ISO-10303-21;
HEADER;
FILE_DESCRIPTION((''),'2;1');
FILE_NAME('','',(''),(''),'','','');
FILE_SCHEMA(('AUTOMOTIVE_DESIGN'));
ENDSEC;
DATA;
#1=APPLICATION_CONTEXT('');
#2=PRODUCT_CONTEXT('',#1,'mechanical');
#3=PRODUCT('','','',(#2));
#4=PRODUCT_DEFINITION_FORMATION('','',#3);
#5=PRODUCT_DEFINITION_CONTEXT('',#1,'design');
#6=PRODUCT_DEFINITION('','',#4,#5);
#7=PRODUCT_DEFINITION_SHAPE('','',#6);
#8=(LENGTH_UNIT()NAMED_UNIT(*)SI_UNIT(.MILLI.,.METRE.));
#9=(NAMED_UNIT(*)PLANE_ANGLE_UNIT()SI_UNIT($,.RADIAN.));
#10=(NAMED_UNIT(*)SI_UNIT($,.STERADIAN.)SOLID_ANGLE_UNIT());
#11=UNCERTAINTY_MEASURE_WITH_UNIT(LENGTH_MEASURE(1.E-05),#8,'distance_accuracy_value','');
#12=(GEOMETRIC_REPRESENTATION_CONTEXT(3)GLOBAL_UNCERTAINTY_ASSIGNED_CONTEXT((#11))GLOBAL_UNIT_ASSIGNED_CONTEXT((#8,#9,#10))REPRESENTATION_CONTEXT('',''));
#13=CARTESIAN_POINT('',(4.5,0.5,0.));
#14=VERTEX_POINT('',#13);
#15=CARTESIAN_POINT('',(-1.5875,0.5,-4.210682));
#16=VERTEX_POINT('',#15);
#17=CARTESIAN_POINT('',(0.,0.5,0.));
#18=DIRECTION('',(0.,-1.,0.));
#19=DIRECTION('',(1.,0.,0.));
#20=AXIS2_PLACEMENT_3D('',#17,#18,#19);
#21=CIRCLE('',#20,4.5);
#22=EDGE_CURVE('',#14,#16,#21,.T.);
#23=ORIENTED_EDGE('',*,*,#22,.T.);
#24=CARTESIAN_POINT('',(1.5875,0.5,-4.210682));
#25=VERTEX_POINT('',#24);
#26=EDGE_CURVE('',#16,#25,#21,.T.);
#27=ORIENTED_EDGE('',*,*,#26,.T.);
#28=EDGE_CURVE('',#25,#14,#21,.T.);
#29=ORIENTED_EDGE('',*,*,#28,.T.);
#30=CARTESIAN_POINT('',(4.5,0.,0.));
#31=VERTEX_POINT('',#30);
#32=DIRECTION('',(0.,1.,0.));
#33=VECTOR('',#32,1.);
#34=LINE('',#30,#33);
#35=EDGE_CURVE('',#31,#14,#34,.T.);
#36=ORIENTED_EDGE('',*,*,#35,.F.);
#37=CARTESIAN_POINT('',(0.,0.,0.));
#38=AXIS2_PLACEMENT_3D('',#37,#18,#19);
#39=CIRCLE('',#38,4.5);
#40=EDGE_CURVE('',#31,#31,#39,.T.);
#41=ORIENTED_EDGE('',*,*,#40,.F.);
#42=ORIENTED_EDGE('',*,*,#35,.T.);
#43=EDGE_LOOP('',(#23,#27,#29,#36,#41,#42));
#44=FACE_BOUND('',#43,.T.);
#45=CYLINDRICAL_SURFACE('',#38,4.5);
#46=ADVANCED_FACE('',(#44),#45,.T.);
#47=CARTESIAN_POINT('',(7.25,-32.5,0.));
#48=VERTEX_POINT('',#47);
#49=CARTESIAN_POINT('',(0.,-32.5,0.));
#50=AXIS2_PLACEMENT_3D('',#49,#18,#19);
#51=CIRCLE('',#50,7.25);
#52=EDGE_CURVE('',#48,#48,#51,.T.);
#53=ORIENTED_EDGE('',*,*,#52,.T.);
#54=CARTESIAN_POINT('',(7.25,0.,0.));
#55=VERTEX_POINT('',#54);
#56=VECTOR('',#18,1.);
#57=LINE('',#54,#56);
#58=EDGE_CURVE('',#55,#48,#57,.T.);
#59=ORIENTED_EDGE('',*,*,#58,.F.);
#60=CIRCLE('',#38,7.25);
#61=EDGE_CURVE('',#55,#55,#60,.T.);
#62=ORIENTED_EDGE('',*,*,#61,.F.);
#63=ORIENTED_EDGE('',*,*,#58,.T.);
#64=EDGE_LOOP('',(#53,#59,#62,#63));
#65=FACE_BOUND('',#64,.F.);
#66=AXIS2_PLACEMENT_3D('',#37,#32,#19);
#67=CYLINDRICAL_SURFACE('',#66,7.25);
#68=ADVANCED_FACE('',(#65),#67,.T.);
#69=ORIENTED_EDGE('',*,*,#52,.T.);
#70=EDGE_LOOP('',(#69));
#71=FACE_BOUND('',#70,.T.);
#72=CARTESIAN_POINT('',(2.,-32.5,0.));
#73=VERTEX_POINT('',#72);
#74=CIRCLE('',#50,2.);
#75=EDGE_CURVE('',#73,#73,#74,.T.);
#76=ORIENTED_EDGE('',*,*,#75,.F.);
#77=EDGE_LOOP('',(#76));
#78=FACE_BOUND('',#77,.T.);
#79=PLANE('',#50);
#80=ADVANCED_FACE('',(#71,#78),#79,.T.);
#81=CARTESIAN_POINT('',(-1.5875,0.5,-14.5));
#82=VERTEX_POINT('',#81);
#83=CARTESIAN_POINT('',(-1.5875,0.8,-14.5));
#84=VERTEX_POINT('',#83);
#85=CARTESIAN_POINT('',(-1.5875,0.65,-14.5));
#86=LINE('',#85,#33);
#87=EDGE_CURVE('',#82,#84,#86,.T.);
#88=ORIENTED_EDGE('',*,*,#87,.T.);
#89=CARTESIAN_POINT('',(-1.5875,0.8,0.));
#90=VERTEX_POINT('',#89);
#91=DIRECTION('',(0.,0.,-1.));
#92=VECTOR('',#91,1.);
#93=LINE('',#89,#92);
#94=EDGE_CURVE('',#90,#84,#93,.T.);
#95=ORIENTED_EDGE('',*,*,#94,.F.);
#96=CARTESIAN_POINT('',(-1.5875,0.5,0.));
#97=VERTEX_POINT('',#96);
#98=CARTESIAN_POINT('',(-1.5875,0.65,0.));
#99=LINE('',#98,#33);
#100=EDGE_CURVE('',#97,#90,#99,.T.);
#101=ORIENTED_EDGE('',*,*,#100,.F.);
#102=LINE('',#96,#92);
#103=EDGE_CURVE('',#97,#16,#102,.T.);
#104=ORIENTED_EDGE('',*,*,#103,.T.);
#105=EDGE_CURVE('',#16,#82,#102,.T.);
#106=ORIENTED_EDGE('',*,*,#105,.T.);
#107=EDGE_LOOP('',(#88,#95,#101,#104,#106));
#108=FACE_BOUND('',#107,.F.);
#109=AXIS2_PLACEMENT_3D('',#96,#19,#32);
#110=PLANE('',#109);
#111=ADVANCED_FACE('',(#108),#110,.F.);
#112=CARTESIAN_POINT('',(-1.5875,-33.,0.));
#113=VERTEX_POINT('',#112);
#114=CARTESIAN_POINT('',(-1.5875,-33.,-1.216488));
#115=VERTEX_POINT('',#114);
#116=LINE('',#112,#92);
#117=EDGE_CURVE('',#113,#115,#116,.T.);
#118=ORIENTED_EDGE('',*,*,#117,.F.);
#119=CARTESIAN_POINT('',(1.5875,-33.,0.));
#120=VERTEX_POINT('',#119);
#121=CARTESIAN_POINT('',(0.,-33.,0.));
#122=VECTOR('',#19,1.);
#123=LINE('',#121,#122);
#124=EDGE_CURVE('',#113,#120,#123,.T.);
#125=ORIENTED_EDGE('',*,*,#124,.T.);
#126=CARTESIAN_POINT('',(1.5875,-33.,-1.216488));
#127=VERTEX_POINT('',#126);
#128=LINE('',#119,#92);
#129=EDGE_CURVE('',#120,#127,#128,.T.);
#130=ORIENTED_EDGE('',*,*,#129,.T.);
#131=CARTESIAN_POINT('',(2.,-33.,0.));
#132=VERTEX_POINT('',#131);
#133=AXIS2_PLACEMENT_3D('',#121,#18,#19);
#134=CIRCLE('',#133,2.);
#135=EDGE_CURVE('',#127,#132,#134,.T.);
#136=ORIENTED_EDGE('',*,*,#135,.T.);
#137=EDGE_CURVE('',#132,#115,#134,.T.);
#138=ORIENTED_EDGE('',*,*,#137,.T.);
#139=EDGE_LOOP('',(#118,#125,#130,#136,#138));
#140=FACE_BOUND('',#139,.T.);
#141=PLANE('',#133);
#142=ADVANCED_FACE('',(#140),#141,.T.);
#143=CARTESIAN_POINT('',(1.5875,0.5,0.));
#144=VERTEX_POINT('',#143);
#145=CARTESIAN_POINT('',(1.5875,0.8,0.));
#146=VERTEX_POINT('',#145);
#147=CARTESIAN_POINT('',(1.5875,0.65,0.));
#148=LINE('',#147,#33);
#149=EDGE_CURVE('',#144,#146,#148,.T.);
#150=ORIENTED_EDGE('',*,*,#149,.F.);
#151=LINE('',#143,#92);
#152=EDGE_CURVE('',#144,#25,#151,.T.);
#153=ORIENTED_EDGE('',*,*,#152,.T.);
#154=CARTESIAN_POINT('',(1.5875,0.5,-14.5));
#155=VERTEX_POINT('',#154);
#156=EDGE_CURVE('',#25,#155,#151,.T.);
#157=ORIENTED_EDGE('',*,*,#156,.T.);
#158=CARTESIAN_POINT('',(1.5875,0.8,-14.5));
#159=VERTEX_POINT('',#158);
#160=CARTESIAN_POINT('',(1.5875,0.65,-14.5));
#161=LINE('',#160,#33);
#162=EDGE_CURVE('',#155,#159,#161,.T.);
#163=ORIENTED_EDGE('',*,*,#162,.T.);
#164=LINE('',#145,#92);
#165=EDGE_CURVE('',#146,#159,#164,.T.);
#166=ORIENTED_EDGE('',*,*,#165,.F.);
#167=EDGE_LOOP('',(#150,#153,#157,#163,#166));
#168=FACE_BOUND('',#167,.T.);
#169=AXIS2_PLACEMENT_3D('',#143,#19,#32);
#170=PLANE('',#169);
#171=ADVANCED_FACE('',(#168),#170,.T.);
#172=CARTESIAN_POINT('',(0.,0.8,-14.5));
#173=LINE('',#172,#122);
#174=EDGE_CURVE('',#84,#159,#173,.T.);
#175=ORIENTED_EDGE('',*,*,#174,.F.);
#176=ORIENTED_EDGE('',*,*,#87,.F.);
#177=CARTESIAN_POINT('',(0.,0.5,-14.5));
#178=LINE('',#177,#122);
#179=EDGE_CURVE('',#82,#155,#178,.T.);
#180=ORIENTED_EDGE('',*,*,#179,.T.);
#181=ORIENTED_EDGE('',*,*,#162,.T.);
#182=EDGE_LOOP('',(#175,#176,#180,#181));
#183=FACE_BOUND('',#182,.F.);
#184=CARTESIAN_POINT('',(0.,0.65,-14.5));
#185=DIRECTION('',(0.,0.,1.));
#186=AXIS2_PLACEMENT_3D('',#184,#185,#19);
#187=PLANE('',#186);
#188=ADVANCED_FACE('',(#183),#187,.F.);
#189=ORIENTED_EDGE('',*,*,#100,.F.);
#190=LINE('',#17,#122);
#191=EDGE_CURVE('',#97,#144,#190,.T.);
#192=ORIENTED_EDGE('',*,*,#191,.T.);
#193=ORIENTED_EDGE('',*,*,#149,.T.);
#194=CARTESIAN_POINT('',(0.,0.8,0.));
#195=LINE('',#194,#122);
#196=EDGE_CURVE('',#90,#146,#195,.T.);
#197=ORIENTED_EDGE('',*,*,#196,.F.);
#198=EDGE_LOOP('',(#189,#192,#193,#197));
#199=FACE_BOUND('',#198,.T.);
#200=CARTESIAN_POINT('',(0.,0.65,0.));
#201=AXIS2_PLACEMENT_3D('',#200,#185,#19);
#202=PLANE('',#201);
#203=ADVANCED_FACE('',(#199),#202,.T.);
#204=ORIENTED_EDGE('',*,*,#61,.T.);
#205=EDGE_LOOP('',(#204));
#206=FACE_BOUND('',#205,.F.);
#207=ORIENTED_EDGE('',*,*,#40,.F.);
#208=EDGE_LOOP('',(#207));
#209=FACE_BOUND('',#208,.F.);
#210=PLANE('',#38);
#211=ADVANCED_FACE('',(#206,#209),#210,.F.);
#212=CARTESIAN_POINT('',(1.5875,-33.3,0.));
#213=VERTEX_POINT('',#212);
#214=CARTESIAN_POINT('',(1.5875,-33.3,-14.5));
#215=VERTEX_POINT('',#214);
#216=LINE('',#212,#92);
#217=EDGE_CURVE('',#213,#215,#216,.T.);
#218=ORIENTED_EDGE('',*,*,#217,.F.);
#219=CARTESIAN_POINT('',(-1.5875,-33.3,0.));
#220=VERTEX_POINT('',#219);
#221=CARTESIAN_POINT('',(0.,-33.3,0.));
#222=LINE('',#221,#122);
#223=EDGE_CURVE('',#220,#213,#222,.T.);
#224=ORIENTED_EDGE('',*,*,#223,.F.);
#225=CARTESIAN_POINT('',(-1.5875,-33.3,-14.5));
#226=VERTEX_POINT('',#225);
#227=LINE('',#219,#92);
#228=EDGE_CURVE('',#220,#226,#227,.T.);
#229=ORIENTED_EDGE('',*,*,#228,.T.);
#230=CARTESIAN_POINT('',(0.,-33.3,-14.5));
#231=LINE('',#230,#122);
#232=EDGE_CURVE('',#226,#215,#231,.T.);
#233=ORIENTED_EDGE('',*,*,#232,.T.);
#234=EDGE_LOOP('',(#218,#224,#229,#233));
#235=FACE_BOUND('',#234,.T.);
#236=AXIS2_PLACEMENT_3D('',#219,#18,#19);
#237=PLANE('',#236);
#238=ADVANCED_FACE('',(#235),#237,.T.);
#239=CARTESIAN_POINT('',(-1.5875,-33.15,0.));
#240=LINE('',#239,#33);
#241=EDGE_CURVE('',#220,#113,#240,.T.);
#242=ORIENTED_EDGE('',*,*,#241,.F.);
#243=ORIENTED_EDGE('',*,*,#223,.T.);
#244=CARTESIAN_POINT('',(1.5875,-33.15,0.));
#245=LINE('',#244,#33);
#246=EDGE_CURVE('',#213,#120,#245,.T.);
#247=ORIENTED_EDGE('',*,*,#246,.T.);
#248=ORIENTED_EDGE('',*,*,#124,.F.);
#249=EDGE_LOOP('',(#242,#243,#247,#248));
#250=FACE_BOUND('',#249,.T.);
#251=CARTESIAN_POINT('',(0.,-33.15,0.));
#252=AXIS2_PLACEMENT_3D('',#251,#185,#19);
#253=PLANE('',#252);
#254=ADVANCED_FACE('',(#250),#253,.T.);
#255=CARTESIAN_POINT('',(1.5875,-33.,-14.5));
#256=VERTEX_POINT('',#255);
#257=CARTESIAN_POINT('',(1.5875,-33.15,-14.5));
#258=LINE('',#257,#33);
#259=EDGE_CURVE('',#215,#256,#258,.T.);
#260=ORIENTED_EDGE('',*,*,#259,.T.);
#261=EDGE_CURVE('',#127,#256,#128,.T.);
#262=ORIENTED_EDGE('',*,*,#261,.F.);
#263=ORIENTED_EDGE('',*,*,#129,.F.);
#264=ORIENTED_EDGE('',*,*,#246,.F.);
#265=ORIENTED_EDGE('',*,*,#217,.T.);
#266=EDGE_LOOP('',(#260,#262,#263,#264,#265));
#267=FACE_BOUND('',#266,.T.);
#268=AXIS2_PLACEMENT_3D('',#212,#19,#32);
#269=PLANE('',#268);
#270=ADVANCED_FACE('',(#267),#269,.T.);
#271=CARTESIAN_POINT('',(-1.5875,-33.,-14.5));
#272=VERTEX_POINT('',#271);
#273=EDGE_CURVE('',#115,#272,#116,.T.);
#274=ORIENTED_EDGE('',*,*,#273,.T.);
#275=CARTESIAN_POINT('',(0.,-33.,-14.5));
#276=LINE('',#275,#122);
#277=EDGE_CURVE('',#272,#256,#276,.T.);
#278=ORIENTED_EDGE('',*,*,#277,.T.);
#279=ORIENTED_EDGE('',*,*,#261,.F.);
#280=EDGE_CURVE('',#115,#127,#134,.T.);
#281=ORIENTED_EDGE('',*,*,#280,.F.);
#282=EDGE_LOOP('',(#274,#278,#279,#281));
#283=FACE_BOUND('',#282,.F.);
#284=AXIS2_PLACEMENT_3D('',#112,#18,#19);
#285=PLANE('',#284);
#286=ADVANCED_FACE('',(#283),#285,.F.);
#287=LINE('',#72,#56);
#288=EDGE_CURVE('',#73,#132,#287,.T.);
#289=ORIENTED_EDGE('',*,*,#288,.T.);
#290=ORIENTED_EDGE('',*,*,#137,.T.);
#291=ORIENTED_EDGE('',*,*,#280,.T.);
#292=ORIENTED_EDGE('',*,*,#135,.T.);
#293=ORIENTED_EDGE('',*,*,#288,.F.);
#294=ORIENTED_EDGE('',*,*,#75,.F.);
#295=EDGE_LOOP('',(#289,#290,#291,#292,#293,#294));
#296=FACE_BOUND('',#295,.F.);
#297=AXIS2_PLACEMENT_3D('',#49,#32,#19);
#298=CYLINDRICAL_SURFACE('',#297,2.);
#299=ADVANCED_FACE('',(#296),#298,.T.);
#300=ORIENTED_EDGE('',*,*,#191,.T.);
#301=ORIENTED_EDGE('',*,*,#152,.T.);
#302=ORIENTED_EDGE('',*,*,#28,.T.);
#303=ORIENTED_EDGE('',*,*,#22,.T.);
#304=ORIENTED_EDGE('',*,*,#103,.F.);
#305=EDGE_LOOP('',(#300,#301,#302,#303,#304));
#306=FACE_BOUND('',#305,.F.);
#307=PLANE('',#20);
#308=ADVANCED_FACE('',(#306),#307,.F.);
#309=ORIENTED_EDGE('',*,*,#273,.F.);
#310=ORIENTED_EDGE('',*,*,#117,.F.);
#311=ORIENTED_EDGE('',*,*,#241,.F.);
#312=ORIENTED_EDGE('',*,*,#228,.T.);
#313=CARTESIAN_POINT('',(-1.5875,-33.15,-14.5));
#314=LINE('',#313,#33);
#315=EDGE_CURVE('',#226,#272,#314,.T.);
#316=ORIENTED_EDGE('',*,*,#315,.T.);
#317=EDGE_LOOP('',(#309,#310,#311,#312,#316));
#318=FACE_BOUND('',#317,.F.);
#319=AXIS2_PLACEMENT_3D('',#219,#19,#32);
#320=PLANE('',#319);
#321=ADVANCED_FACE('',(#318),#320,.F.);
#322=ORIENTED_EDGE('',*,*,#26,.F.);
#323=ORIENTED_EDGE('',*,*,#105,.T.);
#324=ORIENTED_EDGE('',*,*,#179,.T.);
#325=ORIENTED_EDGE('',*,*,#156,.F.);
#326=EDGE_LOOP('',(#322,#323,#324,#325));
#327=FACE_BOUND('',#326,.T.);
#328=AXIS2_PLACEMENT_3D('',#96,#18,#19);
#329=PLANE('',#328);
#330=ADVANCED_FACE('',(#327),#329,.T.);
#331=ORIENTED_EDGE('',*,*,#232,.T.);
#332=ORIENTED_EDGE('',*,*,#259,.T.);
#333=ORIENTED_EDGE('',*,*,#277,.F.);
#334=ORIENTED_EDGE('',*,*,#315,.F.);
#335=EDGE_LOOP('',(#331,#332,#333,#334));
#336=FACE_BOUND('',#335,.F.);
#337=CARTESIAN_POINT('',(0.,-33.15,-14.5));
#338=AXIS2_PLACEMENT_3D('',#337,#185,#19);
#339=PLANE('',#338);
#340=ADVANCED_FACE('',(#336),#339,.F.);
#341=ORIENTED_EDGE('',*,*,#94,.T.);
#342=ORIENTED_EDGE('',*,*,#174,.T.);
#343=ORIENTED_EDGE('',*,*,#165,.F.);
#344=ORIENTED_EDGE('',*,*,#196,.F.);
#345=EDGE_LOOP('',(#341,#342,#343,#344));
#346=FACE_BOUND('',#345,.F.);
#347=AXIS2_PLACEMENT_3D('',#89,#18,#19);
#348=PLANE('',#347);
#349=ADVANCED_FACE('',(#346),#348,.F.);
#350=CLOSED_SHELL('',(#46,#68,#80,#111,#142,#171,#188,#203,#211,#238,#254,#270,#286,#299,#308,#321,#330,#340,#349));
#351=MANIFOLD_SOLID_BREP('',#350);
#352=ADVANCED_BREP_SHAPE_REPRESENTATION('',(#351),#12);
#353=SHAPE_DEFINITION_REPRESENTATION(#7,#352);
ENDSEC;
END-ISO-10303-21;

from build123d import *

# Parameters (mm, degrees)
F0_R     = 7.25
F1_DEPTH = 32.5
F2_R     = 4.5
F3_DEPTH = 0.5
F5_R     = 2
F6_DEPTH = 0.5
F7_W     = 3.175
F7_H     = 0.3
F8_DEPTH = 14.5


with BuildPart() as f1:
    # F0 (on Front) → F1 (new body)
    with BuildSketch(Plane.XZ):
        Circle(F0_R)
    extrude(amount=F1_DEPTH)

    # F2 (on Front) → F3 (join)
    with BuildSketch(Plane.XZ):
        Circle(F2_R)
    extrude(amount=-F3_DEPTH)

    # F5 (on offset) → F6 (join)
    with BuildSketch(Plane.XZ.offset(32.5)):
        Circle(F5_R)
    extrude(amount=F6_DEPTH)

    # F7 (on Top) → F8 (join)
    with BuildSketch(Plane.XY):
        with Locations((0, 0.65)):
            Rectangle(F7_W, F7_H)
        with Locations((0, -33.15)):
            Rectangle(F7_W, F7_H)
    extrude(amount=-F8_DEPTH)


solid = f1.part
